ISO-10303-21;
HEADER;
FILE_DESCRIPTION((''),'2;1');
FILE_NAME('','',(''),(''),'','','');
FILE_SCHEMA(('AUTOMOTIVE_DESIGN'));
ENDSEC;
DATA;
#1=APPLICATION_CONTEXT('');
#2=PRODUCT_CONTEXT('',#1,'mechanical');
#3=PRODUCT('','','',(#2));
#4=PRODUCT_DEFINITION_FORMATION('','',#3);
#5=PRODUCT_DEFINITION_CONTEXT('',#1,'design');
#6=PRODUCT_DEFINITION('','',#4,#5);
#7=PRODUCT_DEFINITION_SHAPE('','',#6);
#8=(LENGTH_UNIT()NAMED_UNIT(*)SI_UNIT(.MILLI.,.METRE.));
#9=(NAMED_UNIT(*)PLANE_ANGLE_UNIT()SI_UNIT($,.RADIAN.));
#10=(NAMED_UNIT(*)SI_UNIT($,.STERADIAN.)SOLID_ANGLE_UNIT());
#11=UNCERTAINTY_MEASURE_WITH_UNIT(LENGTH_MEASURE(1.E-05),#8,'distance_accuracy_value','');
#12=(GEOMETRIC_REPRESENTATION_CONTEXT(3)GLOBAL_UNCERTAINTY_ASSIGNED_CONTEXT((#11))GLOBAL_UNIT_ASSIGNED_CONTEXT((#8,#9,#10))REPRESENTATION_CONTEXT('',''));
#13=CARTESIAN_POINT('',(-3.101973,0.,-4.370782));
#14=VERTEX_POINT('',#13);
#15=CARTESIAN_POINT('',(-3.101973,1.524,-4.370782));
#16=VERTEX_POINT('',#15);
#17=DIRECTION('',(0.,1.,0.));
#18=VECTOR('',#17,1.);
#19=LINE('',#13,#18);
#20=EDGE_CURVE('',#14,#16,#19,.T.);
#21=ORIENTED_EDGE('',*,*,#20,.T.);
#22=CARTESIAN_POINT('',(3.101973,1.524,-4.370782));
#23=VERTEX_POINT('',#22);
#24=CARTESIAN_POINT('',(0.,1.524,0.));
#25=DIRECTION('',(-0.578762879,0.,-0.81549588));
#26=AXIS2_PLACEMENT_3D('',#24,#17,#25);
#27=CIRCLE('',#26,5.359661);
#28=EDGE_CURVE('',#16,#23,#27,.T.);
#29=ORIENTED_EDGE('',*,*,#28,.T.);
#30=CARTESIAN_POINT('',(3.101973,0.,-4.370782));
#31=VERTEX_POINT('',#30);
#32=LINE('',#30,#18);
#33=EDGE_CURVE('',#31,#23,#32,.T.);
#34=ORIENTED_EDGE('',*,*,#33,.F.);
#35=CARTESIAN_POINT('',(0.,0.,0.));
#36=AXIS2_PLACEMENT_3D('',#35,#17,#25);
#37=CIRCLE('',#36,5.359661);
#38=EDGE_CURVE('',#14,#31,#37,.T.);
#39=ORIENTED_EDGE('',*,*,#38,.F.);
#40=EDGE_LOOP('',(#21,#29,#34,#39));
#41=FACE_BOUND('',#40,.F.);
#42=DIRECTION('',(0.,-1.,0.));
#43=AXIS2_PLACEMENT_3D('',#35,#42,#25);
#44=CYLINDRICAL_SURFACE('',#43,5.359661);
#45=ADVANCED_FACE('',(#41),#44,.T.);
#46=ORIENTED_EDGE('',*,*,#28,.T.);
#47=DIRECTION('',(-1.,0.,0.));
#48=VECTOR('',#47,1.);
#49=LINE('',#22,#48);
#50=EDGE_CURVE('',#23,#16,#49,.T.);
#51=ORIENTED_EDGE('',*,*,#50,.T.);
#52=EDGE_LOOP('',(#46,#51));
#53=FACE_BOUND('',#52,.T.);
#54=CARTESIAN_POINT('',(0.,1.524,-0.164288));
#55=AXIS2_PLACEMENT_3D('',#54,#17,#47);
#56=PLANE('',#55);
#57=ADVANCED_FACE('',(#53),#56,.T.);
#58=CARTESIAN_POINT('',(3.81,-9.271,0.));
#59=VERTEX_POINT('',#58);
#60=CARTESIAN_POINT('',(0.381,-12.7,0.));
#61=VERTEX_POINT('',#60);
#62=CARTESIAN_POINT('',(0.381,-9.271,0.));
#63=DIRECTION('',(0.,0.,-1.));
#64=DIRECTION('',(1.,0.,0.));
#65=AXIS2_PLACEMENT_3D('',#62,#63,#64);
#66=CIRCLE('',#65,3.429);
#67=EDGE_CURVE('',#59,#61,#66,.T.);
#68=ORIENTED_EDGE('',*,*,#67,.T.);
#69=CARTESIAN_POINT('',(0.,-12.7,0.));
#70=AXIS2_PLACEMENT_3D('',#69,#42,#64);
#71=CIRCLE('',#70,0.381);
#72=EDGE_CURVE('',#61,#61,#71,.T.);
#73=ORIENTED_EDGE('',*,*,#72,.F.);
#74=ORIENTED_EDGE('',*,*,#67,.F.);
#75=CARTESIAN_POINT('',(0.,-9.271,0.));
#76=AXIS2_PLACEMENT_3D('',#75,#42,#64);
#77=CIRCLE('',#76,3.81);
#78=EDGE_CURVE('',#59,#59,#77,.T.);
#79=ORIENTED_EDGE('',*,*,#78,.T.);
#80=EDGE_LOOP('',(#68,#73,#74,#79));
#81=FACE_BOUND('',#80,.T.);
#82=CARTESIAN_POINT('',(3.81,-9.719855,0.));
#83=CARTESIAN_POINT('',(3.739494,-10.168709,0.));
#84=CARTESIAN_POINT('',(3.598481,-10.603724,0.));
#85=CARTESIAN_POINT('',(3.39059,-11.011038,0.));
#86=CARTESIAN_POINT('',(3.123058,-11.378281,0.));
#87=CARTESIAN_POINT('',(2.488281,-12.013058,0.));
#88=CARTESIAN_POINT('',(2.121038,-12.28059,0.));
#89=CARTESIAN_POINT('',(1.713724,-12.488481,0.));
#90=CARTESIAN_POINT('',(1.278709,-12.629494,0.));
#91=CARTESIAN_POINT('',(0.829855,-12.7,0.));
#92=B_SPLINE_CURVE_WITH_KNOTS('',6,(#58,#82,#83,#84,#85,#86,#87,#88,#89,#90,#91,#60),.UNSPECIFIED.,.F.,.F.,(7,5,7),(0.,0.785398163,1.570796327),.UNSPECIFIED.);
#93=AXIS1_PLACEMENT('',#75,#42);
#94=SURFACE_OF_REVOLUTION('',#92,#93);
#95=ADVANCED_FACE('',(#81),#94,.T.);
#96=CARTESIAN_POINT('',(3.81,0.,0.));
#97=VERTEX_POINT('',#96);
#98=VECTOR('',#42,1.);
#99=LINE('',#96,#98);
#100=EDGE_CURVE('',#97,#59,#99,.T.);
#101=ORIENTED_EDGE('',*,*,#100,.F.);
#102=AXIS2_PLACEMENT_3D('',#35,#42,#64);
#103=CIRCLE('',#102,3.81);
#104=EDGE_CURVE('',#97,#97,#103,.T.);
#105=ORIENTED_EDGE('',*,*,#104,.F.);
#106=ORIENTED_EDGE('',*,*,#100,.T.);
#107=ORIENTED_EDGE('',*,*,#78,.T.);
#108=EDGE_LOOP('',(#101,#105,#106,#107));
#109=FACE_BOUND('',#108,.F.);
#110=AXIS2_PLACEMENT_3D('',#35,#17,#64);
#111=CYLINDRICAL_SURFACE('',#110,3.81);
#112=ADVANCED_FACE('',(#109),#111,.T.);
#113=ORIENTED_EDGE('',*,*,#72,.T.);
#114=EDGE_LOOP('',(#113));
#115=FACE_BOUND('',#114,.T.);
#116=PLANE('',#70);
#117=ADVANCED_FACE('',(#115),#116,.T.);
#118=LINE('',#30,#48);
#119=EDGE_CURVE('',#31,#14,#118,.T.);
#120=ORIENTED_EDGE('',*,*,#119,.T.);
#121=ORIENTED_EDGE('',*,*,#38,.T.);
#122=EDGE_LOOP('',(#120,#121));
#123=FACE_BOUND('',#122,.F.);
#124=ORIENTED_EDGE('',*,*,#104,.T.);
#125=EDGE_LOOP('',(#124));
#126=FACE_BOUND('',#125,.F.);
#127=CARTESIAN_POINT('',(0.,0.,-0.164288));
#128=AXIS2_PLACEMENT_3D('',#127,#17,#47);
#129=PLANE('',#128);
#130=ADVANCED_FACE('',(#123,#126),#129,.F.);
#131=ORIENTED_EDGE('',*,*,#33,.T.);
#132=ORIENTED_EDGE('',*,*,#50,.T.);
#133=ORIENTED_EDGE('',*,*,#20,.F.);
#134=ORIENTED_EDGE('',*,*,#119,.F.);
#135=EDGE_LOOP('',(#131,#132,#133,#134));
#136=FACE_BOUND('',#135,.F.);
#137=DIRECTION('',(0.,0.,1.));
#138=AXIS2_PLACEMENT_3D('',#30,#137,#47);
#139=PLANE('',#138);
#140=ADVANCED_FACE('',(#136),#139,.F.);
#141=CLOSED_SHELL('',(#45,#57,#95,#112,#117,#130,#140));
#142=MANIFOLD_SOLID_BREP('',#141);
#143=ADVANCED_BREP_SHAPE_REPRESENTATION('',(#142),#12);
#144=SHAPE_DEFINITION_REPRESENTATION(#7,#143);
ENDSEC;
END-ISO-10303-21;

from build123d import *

# Parameters (mm, degrees)
F0_R     = 3.81
F1_DEPTH = 12.7
F2_R     = 3.429
F4_DEPTH = 1.524


with BuildPart() as f1:
    # F0 (on Front) → F1 (new body)
    with BuildSketch(Plane.XZ):
        Circle(F0_R)
    extrude(amount=F1_DEPTH)

    # F2
    f2_edges = [f1.edges().sort_by_distance(p)[0] for p in [
        (-3.81, -12.7, 0),
    ]]
    fillet(f2_edges, radius=F2_R)

    # F3 (on face) → F4 (join)
    with BuildSketch(Plane(origin=(0, 0, 0), x_dir=(-1, 0, 0), z_dir=(0, 1, 0))):
        with BuildLine():
            Line((-3.101973, -4.370782), (3.101973, -4.370782))
            ThreePointArc((3.101973, -4.370782), (0, 5.359661), (-3.101973, -4.370782))
        make_face()
    extrude(amount=F4_DEPTH)


solid = f1.part
